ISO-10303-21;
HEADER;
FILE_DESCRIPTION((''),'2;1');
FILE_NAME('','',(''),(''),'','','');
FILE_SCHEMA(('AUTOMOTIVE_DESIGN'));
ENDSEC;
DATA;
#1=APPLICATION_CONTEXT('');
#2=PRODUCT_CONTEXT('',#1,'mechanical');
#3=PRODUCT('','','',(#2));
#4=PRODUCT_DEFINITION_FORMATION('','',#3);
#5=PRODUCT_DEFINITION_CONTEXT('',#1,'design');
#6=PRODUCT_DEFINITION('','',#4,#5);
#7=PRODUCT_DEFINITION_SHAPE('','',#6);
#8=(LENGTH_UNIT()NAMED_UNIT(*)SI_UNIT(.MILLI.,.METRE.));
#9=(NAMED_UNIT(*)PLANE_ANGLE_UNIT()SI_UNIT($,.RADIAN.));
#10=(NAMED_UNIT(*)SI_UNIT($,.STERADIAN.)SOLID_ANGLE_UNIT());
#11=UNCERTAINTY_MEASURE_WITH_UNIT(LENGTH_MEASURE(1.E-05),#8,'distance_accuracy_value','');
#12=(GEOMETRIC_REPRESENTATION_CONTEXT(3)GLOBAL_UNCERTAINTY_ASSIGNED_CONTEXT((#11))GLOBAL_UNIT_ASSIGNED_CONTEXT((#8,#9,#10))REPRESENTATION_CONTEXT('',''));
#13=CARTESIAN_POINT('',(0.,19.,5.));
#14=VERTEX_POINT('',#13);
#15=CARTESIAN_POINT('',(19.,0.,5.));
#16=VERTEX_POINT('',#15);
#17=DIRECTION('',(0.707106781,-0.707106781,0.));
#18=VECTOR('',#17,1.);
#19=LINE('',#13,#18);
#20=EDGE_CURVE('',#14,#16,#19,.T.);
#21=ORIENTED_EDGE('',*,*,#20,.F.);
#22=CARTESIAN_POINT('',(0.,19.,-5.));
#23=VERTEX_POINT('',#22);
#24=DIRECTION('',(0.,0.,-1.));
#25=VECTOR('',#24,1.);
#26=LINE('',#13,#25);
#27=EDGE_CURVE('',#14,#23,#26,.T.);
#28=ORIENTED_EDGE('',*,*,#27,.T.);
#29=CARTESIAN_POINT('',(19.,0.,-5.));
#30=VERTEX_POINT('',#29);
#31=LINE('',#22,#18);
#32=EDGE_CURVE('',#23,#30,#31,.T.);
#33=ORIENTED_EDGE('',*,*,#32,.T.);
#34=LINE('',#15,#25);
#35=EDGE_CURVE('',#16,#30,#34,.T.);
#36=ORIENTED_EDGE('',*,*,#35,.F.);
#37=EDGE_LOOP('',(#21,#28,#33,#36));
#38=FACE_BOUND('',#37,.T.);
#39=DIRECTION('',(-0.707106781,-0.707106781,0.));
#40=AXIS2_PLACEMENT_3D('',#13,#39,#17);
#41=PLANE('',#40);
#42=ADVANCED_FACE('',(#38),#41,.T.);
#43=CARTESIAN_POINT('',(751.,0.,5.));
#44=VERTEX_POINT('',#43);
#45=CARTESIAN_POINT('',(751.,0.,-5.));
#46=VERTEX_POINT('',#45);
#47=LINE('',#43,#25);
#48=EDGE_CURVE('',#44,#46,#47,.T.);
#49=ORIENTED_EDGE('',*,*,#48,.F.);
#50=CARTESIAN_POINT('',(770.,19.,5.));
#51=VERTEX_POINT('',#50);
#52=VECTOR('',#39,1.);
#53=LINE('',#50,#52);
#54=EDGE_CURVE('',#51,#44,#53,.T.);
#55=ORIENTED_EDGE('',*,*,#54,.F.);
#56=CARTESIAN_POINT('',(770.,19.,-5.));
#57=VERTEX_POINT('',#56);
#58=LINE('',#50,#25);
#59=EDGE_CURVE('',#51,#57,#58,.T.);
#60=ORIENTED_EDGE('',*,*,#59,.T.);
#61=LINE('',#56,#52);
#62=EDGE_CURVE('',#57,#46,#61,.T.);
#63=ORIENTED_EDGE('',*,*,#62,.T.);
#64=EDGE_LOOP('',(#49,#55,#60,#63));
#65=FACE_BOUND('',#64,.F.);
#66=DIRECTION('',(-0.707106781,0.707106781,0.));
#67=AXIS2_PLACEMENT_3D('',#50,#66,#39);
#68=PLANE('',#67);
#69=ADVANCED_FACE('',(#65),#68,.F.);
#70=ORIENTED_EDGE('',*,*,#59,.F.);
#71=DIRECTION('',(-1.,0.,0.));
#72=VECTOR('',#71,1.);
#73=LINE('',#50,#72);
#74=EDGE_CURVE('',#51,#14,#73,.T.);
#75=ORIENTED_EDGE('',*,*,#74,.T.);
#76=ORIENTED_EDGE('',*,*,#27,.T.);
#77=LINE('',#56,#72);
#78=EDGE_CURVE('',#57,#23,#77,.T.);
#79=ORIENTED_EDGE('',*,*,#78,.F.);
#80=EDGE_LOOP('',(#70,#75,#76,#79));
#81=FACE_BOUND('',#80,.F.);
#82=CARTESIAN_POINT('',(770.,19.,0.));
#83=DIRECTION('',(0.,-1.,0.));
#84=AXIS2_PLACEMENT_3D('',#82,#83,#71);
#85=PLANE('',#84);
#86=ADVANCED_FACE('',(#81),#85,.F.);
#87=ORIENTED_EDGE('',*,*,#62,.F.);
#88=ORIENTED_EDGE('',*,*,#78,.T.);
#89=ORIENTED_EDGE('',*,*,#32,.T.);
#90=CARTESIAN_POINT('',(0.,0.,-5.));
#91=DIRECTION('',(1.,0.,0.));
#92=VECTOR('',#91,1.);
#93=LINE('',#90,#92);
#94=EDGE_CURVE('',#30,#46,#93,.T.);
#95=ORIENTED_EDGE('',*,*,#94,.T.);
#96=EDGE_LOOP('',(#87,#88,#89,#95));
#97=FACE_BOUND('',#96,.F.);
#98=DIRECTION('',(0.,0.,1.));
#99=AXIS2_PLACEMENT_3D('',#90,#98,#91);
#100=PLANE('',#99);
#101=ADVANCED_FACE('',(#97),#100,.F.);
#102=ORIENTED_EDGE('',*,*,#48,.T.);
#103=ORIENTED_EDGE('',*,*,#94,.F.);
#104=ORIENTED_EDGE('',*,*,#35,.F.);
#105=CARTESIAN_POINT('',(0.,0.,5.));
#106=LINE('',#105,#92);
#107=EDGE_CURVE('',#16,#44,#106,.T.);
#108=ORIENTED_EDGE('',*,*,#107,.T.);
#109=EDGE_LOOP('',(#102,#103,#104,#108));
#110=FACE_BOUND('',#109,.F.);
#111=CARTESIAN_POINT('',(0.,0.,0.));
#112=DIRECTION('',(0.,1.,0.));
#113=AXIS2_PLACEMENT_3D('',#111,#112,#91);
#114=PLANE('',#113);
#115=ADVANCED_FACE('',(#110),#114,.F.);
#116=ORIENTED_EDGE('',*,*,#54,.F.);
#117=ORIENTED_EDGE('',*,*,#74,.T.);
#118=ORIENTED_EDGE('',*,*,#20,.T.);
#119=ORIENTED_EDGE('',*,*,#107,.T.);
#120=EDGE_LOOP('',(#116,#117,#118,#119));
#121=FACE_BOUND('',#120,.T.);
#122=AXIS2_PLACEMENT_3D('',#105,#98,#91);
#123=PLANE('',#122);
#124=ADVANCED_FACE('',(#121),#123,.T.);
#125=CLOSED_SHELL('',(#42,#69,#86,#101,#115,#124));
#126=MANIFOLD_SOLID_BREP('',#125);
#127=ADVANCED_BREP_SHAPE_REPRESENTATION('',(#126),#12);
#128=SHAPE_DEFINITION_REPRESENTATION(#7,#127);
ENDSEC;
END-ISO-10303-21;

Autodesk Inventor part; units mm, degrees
ref_plane "YZ Plane" through (0, 0, 0) normal (1, 0, 0) x (0, 1, 0)
ref_plane "XZ Plane" through (0, 0, 0) normal (0, 1, 0) x (-1, 0, 0)
ref_plane "XY Plane" through (0, 0, 0) normal (0, 0, 1) x (1, 0, 0)
sketch "Sketch1" plane through (0, 0, 0) normal (0, 0, 1) x (1, 0, 0)
  line L0 (0, 0) -> (770, 0)
  line L1 (770, 0) -> (770, 19)
  line L2 (770, 19) -> (0, 19)
  line L3 (0, 19) -> (0, 0)
  dimension "d0" = 19
  dimension "d1" = 770
extrude "Extrusion1" add sketch "Sketch1" along normal mid plane 10
sketch "Sketch2" plane through (0, 0, 5) normal (0, 0, 1) x (1, 0, 0)
  line L0 (770, 0) -> (770, 19) projected
  line L1 (770, 19) -> (0, 19) projected
  line L2 (0, 19) -> (0, 0) projected
  line L3 (0, 0) -> (770, 0) projected
  line L4 (0, 19) -> (19, 0)
  line L5 (770, 19) -> (751, 0)
  line L6 (0, 0) -> (770, 0) projected
  line L7 (385, 0) -> (385, 48.3121) construction
  dimension "d8" = 45
extrude "Extrusion2" cut sketch "Sketch2" against normal blind 10 contours L3 L5 L0 | L4 L3 L2
equation "\"d1\" = DichBrei"
equation "\"DichBrei\" = 770"
properties part number "DitchtungRahmen"
